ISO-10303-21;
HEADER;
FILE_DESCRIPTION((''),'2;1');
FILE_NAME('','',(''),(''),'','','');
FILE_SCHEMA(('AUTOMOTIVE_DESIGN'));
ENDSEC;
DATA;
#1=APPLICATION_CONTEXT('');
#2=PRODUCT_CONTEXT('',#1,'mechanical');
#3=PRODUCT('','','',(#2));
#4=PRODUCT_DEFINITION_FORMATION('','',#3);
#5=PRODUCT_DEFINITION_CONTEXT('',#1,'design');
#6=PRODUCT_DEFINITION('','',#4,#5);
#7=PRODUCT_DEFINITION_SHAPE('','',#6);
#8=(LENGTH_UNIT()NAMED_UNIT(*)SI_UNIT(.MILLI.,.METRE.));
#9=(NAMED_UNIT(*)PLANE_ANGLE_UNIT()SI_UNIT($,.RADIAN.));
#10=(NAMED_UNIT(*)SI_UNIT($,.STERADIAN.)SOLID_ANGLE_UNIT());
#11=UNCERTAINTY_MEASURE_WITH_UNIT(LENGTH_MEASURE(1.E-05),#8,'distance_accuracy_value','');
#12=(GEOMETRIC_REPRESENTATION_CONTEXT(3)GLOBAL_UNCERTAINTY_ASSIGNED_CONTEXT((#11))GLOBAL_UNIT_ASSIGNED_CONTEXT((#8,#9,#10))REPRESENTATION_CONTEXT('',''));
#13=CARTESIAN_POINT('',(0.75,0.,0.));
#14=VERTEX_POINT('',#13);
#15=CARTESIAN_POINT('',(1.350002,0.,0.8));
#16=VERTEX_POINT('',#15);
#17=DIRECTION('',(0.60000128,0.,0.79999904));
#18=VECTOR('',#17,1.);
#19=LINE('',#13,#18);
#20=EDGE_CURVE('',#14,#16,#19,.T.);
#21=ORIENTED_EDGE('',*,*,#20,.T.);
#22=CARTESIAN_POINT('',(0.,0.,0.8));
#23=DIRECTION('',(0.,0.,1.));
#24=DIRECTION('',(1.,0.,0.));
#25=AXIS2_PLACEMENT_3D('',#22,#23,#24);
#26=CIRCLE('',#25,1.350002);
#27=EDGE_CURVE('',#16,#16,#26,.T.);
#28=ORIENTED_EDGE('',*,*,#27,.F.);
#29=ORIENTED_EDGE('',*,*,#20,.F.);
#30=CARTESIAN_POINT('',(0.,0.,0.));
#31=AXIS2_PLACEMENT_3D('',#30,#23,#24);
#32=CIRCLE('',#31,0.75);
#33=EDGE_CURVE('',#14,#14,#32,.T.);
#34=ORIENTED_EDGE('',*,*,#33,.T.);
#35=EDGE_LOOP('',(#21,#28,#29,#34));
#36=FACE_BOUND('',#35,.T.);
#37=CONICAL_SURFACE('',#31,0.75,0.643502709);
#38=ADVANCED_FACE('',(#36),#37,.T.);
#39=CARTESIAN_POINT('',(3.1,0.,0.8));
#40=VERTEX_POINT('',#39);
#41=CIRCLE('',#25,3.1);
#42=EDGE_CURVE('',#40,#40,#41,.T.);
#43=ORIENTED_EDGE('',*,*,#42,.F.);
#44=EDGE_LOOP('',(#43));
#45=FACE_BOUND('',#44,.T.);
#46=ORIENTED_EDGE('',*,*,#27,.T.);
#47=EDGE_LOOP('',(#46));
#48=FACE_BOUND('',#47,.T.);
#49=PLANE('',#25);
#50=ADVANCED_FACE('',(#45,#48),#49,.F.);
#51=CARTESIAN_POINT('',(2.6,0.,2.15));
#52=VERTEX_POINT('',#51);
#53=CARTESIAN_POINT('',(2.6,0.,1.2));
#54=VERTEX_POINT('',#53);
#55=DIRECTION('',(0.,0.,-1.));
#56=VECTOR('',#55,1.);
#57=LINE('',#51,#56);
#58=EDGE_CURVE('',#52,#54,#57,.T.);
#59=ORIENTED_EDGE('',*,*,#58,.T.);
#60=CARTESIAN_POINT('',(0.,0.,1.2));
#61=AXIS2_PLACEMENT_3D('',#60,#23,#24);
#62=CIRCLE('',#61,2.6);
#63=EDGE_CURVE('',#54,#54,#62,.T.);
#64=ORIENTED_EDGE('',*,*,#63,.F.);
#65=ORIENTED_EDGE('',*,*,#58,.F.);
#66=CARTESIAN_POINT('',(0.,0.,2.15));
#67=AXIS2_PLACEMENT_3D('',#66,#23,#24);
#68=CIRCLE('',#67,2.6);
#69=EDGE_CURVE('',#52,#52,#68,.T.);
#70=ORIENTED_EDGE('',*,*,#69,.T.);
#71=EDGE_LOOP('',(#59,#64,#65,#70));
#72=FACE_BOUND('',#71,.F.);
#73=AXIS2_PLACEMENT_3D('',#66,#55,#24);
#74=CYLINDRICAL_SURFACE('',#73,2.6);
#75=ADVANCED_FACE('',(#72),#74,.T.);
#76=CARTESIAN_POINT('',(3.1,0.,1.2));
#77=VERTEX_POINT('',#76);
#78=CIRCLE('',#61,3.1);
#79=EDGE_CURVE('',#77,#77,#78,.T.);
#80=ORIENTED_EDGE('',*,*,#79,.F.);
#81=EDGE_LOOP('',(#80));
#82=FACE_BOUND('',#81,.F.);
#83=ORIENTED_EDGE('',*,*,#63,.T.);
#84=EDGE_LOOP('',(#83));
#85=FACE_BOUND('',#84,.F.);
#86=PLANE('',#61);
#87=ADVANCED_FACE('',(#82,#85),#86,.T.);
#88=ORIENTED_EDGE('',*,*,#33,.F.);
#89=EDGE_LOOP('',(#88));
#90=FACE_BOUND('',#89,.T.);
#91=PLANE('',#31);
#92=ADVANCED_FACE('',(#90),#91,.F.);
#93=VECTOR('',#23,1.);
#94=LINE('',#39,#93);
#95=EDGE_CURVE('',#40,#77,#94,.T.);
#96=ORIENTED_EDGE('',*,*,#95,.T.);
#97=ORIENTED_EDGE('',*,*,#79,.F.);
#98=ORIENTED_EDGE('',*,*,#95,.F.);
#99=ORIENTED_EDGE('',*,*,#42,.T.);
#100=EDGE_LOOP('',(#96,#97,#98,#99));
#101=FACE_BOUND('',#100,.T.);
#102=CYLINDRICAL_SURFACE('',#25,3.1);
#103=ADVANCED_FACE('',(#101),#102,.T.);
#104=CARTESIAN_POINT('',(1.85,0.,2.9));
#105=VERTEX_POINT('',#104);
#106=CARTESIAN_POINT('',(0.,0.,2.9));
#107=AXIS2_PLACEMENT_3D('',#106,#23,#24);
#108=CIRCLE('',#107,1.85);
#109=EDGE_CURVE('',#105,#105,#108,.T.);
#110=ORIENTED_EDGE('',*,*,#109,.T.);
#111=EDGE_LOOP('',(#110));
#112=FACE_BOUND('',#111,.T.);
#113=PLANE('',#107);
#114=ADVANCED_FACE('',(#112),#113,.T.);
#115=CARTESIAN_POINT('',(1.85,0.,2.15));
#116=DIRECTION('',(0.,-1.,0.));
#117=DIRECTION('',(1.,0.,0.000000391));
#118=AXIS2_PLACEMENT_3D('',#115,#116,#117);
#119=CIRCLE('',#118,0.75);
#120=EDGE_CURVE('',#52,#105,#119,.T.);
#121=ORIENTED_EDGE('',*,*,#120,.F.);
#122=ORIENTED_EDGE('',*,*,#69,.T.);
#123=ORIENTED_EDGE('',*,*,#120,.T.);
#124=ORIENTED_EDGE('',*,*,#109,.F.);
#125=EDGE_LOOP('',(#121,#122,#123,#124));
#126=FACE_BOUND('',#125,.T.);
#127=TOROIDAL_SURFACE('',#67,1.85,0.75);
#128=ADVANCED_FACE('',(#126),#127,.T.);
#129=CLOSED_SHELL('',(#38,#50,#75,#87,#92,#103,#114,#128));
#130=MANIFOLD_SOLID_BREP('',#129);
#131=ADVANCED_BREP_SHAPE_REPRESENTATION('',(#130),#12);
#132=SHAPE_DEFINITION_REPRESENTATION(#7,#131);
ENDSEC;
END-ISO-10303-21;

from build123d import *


with BuildPart() as part:
    # Sketch → Revolution (revolve)
    with BuildSketch(Plane.XZ):
        with BuildLine():
            Line((0, 0), (0.75, 0))
            Line((0.75, 0), (1.350002, 0.8))
            Line((1.350002, 0.8), (3.1, 0.8))
            Line((3.1, 0.8), (3.1, 1.2))
            Line((2.6, 1.2), (3.1, 1.2))
            Line((2.6, 2.15), (2.6, 1.2))
            ThreePointArc((2.6, 2.15), (2.38033, 2.68033), (1.85, 2.9))
            Line((1.85, 2.9), (0, 2.9))
            Line((0, 2.9), (0, 0))
        make_face()
    revolve(axis=Axis((0, 0, 0), (0, 0, 1)))


solid = part.part
